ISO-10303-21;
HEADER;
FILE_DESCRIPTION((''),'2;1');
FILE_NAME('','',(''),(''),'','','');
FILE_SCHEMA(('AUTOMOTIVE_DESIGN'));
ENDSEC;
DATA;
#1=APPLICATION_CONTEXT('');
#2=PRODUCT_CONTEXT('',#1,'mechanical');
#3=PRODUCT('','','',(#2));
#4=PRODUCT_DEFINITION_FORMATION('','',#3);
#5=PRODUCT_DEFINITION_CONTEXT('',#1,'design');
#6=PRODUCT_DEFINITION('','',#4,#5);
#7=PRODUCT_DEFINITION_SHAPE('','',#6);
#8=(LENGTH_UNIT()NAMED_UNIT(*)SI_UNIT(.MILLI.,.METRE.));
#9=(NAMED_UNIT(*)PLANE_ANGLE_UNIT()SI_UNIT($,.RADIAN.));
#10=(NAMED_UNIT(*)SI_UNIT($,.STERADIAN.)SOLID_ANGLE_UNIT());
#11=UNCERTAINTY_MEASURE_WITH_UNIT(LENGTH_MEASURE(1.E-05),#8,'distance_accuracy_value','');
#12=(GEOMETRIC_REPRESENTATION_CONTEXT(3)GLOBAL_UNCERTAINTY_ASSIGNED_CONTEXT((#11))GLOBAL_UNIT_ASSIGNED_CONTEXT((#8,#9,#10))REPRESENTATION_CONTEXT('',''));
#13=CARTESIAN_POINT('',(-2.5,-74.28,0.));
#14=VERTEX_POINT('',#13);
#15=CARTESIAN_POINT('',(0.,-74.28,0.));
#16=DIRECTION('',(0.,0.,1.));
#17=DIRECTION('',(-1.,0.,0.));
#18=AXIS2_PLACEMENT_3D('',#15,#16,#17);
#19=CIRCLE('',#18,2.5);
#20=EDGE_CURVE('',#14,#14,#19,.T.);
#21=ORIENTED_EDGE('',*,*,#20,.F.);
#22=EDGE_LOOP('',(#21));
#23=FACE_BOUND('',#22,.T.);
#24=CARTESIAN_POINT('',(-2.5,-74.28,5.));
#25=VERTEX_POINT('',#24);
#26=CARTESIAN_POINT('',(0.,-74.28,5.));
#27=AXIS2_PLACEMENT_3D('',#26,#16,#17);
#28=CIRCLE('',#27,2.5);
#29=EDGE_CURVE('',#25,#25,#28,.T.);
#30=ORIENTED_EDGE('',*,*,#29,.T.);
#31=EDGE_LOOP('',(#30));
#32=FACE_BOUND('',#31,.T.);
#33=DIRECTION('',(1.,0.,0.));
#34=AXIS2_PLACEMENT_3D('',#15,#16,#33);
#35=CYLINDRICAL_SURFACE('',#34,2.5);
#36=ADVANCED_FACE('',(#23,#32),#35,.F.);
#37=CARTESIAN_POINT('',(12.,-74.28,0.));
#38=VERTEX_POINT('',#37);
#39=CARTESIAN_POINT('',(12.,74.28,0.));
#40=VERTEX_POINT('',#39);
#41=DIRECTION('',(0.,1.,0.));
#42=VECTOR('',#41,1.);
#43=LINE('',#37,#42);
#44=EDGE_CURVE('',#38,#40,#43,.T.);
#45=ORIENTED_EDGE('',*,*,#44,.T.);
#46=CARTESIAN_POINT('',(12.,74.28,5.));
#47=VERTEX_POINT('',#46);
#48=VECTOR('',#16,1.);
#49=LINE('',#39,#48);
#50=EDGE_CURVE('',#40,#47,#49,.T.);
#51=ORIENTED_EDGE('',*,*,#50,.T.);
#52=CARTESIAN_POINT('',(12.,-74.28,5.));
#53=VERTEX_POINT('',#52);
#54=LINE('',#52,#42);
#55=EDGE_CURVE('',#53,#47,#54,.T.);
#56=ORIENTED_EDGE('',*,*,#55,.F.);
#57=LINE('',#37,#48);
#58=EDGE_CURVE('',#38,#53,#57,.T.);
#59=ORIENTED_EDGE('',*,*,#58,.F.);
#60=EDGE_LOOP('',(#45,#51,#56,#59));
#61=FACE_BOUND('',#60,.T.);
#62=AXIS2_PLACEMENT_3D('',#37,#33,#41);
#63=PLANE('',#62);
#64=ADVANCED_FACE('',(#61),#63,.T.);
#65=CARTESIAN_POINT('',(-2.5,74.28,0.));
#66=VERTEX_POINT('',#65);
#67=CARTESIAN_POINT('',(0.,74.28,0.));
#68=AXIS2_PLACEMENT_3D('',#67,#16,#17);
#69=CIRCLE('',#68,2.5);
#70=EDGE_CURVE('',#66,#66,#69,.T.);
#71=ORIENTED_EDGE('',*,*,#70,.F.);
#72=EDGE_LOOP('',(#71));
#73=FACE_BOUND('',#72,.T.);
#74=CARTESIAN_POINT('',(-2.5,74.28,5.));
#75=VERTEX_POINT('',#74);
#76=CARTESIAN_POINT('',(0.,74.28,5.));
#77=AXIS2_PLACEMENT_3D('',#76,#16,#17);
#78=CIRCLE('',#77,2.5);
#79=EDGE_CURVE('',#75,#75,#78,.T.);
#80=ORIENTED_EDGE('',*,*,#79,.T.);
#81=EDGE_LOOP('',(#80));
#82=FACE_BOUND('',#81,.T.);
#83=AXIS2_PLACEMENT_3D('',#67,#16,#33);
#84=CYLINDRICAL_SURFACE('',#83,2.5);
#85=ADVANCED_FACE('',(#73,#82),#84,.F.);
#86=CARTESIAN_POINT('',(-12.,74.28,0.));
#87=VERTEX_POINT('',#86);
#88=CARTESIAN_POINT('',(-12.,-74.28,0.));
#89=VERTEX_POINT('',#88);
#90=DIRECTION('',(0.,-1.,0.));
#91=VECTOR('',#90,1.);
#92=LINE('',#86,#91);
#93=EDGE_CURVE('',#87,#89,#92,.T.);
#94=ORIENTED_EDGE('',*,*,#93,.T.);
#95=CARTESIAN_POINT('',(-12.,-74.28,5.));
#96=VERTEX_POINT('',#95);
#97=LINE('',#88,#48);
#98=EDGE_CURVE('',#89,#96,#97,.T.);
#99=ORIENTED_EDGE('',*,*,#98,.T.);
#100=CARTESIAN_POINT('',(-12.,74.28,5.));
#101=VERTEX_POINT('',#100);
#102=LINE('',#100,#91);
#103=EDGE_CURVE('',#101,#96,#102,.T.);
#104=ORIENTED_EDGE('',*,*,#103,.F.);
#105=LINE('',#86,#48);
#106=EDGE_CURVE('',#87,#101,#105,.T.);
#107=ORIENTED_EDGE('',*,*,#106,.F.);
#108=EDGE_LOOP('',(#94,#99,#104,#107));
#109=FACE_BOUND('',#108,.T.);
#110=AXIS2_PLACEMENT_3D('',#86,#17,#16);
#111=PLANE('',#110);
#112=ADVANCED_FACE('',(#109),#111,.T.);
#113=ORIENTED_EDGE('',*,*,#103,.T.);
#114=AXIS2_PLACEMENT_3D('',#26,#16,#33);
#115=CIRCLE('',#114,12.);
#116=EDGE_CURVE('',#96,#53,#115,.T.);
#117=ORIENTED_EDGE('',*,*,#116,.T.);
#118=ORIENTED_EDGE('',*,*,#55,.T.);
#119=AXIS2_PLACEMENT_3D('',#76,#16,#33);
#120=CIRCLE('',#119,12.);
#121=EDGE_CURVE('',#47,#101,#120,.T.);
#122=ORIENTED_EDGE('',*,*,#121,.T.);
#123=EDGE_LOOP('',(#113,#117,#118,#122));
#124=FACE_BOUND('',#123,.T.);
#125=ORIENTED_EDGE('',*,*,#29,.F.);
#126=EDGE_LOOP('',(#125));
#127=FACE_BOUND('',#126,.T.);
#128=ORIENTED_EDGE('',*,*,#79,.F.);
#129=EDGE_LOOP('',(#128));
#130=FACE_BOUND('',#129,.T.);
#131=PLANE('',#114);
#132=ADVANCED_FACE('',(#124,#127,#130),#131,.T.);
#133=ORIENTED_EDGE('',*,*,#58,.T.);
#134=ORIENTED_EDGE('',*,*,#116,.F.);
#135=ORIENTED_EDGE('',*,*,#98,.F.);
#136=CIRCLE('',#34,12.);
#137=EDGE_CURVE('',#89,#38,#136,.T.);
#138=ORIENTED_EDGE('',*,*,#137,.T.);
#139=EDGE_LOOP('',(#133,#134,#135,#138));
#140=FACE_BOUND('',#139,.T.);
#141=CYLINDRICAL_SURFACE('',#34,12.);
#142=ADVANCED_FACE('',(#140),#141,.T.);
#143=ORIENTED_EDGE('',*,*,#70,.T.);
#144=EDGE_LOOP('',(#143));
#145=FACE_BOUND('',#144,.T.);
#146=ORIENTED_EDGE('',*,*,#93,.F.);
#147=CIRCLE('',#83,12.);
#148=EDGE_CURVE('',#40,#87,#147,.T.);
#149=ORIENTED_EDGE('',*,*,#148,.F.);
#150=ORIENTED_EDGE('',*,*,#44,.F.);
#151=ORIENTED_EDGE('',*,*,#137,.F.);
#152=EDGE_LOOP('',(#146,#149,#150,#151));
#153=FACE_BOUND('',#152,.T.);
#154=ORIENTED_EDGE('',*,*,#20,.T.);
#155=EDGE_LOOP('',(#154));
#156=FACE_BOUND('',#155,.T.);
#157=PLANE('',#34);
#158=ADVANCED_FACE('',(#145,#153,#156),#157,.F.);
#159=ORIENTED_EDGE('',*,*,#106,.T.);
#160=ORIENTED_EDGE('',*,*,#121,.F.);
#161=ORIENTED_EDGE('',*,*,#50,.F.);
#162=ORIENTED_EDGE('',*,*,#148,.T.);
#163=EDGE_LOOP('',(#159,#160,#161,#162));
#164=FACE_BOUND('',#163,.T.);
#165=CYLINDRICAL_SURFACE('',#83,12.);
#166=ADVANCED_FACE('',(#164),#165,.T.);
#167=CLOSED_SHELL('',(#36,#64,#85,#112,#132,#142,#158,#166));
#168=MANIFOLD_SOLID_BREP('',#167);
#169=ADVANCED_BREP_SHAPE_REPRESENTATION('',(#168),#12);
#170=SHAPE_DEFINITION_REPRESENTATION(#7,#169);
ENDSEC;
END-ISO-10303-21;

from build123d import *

# Parameters (mm, degrees)
SKETCH_1_R      = 2.5
EXTRUDE_1_DEPTH = 5


with BuildPart() as part:
    # 草图1 → 凸台-拉伸1 (new body)
    with BuildSketch(Plane.XY.offset(5)):
        with BuildLine():
            Line((12, -74.28), (12, 74.28))
            ThreePointArc((12, 74.28), (0, 86.28), (-12, 74.28))
            Line((-12, 74.28), (-12, -74.28))
            ThreePointArc((-12, -74.28), (0, -86.28), (12, -74.28))
        make_face()
        with Locations(Location((0, -74.28, 0), (0, 0, 180))):
            Circle(SKETCH_1_R, mode=Mode.SUBTRACT)
        with Locations(Location((0, 74.28, 0), (0, 0, 180))):
            Circle(SKETCH_1_R, mode=Mode.SUBTRACT)
    extrude(amount=-EXTRUDE_1_DEPTH)


solid = part.part
